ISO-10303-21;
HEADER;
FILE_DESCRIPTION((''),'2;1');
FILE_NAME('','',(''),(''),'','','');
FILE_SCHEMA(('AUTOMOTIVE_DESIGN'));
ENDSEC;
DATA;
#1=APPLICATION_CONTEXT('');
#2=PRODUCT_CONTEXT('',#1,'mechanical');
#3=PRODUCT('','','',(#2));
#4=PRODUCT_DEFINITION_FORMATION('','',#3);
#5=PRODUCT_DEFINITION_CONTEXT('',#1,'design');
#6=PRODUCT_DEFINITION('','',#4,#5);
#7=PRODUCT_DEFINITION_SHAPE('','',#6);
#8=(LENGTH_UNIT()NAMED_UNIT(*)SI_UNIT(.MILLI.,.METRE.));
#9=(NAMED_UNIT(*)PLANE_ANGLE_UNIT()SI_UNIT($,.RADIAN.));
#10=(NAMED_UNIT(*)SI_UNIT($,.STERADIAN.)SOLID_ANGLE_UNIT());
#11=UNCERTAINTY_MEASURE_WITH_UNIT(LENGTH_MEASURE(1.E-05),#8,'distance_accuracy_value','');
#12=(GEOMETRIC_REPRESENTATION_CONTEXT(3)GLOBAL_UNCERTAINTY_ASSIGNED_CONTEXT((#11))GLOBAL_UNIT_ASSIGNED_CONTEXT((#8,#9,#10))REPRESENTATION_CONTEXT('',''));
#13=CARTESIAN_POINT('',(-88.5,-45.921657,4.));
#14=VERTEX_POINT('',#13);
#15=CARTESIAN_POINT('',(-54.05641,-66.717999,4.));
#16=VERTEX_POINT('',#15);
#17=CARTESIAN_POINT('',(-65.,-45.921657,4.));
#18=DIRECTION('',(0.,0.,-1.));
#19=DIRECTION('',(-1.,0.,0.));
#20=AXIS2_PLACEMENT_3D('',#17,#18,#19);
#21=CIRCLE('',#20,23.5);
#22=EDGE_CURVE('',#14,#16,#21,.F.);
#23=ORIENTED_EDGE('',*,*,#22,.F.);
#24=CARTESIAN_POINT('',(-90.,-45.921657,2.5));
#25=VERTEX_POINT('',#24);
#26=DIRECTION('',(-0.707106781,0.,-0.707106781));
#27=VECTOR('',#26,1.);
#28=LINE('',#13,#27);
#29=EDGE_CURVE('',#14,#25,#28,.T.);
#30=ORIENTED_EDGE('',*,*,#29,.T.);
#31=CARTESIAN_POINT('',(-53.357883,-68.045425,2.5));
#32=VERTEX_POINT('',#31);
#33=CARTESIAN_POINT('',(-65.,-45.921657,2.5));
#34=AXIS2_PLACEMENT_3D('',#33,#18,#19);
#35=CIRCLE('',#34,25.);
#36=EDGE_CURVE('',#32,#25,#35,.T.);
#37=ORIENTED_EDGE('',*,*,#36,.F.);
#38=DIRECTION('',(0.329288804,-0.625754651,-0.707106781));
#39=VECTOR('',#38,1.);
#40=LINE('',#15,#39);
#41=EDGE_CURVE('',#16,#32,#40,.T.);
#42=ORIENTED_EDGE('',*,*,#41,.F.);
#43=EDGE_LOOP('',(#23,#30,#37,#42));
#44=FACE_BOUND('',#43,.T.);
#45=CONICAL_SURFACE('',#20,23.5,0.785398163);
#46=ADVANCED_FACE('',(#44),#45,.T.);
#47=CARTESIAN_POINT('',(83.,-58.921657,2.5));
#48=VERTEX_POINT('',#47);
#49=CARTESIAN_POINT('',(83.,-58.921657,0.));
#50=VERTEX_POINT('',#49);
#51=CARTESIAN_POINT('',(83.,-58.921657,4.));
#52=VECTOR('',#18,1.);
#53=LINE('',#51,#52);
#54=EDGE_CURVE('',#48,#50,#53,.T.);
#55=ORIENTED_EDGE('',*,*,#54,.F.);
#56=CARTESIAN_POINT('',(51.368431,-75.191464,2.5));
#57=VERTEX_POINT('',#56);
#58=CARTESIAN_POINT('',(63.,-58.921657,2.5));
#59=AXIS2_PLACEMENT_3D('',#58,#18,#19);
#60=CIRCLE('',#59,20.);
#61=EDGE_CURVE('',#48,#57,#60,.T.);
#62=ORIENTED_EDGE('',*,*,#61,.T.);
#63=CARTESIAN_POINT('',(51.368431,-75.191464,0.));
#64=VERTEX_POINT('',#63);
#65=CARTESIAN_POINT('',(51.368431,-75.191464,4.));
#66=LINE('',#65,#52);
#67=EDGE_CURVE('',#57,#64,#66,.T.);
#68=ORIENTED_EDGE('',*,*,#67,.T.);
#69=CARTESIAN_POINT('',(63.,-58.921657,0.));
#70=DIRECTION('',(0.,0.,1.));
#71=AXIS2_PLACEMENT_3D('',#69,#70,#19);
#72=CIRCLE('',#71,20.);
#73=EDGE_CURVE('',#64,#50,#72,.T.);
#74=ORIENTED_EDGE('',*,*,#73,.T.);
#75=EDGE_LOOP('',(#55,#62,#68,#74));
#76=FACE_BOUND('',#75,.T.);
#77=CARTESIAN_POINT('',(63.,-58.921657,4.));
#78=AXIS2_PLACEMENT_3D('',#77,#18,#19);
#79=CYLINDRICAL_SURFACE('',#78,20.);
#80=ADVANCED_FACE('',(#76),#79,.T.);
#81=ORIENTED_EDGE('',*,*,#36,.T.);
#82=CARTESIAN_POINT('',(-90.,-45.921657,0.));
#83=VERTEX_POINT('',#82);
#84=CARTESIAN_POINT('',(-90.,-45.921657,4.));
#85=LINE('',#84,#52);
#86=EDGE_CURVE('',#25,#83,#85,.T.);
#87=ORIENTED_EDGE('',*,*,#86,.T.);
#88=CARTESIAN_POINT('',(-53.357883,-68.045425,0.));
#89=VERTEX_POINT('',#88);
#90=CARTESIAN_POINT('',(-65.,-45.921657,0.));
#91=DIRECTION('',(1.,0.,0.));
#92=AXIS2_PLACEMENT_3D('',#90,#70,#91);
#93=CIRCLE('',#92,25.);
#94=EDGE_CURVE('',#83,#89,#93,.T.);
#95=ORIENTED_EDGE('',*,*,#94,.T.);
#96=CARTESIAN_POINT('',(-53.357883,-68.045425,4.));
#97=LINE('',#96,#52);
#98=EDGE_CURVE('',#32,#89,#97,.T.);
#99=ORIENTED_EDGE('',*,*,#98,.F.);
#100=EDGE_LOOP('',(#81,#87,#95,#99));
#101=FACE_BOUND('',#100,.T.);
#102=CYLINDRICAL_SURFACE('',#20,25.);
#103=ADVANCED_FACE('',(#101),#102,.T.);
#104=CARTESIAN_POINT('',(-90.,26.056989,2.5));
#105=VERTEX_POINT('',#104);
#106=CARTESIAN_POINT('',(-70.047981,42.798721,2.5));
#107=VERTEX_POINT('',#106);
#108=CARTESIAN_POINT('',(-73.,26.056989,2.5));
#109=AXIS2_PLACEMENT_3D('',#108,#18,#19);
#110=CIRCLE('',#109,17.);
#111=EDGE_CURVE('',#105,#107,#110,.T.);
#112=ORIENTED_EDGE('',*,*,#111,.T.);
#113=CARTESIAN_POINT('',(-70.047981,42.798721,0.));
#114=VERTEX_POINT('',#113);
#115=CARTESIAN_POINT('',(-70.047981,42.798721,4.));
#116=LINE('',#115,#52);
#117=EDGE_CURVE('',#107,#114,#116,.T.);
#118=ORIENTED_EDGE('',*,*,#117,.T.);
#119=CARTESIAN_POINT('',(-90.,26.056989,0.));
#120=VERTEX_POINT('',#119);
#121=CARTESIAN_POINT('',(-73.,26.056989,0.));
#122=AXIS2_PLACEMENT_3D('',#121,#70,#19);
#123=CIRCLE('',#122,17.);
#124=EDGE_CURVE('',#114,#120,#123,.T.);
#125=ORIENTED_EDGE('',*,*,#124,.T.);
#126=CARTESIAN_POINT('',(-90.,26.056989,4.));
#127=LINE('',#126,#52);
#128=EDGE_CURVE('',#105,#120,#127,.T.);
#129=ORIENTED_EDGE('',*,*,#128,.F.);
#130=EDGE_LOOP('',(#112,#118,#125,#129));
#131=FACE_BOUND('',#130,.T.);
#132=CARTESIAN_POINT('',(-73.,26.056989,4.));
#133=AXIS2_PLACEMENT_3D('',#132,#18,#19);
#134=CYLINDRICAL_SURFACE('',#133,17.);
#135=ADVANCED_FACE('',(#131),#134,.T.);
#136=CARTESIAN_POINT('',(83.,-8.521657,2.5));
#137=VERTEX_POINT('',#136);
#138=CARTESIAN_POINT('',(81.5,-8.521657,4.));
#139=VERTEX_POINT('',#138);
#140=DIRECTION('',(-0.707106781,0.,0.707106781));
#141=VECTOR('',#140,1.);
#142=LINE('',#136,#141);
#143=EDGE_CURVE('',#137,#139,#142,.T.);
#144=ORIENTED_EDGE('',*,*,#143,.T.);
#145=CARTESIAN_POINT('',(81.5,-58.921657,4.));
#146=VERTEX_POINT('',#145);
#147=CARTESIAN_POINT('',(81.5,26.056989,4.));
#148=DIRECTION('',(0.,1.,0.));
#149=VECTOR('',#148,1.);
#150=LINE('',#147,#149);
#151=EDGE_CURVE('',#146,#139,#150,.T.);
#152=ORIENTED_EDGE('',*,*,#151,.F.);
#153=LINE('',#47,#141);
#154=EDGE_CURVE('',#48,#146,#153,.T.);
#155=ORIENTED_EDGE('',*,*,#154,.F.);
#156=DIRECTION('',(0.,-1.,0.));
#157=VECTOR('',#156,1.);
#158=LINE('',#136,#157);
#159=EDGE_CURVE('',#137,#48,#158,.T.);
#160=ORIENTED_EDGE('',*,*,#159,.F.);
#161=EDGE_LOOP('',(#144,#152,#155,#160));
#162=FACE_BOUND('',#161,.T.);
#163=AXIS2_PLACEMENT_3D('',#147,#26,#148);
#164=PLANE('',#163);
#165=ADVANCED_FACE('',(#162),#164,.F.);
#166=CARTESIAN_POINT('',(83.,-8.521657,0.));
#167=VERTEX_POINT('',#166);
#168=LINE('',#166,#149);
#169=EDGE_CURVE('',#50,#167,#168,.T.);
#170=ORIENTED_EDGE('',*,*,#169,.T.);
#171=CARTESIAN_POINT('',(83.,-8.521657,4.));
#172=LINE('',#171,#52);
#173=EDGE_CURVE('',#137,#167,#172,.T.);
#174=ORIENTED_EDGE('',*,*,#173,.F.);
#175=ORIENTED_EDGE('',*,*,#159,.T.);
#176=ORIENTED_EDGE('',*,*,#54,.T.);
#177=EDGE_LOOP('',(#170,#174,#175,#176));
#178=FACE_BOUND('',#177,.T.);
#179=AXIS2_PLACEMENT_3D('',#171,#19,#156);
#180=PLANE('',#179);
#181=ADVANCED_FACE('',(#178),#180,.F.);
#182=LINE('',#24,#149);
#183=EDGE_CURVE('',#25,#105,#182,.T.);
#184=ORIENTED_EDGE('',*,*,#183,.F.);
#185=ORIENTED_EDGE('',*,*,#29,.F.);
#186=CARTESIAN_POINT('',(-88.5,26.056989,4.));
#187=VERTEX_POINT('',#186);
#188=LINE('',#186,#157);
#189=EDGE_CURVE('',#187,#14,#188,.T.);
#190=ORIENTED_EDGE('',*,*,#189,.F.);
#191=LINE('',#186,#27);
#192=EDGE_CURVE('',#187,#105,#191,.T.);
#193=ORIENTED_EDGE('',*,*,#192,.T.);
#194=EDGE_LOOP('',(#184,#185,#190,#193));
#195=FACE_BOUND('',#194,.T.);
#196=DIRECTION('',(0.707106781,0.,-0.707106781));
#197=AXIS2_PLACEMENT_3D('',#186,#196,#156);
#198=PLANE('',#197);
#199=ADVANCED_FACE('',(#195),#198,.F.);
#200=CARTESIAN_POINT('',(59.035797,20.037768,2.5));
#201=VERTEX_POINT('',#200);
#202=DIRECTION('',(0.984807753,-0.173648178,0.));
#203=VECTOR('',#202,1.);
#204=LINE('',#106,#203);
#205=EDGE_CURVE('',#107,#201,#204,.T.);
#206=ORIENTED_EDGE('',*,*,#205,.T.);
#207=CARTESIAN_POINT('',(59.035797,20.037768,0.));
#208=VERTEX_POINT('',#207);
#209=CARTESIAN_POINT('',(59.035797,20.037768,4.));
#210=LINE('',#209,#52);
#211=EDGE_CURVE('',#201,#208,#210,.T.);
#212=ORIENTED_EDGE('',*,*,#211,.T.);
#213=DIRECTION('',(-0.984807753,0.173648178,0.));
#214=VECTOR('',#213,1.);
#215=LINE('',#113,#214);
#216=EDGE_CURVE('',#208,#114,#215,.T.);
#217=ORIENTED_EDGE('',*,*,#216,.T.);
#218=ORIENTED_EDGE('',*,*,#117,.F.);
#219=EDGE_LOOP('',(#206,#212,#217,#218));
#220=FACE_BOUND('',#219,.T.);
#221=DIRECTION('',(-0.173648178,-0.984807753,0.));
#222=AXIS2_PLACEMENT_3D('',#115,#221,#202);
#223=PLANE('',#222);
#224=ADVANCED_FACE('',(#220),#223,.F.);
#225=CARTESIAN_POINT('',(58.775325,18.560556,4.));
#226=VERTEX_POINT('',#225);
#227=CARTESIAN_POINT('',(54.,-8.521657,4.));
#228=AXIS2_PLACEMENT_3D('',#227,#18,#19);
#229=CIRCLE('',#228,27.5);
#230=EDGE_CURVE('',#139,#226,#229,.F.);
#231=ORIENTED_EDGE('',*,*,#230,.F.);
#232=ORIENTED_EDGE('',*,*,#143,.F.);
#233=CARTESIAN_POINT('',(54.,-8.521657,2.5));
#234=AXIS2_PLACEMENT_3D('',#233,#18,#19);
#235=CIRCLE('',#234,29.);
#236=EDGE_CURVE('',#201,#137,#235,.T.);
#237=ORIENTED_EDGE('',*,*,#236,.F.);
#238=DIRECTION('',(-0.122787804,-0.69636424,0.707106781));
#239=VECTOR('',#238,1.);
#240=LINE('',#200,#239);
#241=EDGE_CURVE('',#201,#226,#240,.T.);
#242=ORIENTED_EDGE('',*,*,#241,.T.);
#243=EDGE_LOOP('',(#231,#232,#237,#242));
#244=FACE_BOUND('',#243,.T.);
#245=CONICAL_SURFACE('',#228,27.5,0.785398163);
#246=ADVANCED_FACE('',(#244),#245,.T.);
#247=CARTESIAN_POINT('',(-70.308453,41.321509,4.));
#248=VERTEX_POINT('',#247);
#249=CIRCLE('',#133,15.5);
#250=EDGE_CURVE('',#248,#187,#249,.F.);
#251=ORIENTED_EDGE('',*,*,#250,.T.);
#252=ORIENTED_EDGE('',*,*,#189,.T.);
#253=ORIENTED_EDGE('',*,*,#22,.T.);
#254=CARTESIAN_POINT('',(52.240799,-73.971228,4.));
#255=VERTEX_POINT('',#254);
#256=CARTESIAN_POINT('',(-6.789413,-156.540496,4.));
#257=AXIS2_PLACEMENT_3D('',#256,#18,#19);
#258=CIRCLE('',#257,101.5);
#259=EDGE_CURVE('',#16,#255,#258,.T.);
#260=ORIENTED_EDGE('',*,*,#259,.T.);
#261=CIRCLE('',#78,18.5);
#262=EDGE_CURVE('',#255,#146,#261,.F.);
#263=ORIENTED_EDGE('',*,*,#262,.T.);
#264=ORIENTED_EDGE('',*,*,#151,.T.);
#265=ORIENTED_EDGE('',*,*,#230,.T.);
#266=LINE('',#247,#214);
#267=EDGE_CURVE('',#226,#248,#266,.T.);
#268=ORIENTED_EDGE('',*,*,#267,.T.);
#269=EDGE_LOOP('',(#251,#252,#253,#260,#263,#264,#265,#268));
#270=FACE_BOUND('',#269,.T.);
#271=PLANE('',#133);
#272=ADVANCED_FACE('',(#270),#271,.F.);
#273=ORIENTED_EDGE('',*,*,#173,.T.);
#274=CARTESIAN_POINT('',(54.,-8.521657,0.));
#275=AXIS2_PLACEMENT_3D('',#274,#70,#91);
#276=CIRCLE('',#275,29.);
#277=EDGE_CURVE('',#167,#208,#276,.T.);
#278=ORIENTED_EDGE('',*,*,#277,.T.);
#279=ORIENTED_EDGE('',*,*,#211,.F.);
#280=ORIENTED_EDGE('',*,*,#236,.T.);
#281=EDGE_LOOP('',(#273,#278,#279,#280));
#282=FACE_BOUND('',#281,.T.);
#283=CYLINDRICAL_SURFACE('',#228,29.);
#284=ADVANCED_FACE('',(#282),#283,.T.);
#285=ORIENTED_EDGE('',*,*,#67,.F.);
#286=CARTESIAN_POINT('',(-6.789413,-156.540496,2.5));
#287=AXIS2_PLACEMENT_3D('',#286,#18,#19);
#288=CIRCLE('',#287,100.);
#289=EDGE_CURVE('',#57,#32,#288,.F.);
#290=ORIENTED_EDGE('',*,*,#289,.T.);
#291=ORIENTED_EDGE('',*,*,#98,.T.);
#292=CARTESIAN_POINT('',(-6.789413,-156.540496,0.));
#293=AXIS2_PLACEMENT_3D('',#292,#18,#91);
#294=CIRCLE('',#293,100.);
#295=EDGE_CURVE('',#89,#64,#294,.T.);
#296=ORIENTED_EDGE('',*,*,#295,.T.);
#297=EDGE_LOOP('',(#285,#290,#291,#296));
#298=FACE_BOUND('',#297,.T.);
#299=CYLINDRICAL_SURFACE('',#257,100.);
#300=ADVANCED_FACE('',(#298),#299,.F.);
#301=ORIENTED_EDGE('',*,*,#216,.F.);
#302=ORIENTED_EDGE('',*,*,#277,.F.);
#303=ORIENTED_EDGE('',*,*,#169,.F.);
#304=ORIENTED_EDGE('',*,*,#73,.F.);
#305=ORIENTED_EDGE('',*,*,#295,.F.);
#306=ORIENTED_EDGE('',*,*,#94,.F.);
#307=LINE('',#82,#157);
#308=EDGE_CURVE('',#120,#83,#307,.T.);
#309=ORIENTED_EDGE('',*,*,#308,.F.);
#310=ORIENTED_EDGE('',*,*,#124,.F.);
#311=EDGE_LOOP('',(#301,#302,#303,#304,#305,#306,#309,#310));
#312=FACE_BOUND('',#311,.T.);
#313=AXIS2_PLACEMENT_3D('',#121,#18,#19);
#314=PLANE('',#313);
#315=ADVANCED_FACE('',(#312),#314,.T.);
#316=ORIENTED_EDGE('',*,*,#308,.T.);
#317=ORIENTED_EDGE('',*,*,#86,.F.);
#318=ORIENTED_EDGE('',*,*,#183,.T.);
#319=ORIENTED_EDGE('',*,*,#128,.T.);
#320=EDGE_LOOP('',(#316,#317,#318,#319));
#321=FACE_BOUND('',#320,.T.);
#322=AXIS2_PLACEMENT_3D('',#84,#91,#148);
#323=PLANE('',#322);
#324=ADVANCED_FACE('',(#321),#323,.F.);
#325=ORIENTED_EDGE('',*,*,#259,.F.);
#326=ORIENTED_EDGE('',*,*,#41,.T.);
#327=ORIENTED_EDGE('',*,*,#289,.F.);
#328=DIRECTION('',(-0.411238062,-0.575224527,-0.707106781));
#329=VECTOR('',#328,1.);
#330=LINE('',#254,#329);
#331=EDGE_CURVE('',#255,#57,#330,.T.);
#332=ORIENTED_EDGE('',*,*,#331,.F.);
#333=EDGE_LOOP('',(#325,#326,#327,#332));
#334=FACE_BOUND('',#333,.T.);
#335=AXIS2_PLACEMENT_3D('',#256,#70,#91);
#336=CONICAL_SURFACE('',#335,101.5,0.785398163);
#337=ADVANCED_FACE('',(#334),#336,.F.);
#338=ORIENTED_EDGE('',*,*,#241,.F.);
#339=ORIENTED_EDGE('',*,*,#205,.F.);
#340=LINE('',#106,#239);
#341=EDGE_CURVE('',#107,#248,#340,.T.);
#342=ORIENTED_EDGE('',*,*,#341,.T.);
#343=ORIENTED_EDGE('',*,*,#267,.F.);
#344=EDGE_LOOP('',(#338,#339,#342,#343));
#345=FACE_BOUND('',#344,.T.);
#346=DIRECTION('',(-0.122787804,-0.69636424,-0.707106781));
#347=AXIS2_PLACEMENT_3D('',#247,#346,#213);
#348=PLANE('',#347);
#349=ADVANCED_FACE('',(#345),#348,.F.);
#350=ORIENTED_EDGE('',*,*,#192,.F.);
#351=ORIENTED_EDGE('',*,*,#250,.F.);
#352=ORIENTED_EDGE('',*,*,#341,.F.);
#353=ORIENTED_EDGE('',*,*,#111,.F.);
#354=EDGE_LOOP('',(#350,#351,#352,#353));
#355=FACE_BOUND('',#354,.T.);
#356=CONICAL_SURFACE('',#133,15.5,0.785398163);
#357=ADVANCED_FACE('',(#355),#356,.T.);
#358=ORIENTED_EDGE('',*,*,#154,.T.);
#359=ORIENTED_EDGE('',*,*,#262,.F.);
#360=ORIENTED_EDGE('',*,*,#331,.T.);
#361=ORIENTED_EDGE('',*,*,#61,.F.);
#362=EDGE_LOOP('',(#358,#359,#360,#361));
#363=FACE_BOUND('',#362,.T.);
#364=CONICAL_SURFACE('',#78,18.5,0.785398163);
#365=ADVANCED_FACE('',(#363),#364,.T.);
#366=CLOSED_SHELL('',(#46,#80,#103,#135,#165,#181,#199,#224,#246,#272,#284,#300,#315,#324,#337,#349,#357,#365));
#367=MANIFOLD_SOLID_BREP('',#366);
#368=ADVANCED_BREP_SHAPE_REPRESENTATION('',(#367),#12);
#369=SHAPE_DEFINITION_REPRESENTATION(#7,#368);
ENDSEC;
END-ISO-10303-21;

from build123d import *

# Parameters (mm, degrees)
BOSS_EXTRUDE1_DEPTH = 4
CHAMFER1_SIZE       = 1.5


with BuildPart() as part:
    # Sketch1 → Boss-Extrude1 (new body)
    with BuildSketch(Plane.XY):
        with BuildLine():
            Line((-70.04798098, 42.798720736), (59.035797152, 20.037767879))
            ThreePointArc((59.035797152, 20.037767879), (76.21528885, 10.119183723), (83, -8.521656958))
            Line((83, -8.521656958), (83, -58.921656958))
            ThreePointArc((83, -58.921656958), (72.147912935, -76.706923022), (51.368431106, -75.191463505))
            ThreePointArc((51.368431106, -75.191463505), (0.018293401, -56.7724897), (-53.357882673, -68.045424814))
            ThreePointArc((-53.357882673, -68.045424814), (-77.92182392, -67.32320986), (-90, -45.921656958))
            Line((-90, -45.921656958), (-90, 26.056988934))
            ThreePointArc((-90, 26.056988934), (-83.927389365, 39.079744467), (-70.04798098, 42.798720736))
        make_face()
    extrude(amount=BOSS_EXTRUDE1_DEPTH)

    # Chamfer1
    chamfer1_edges = [part.edges().sort_by_distance(p)[0] for p in [
        (-77.92182392, -67.32320986, 4),
        (0.018293401, -56.7724897, 4),
        (72.147912935, -76.706923022, 4),
        (83, -33.721656958, 4),
        (76.21528885, 10.119183723, 4),
        (-5.506091914, 31.418244307, 4),
        (-83.927389365, 39.079744467, 4),
        (-90, -9.932334012, 4),
    ]]
    chamfer(chamfer1_edges, length=CHAMFER1_SIZE)


solid = part.part
